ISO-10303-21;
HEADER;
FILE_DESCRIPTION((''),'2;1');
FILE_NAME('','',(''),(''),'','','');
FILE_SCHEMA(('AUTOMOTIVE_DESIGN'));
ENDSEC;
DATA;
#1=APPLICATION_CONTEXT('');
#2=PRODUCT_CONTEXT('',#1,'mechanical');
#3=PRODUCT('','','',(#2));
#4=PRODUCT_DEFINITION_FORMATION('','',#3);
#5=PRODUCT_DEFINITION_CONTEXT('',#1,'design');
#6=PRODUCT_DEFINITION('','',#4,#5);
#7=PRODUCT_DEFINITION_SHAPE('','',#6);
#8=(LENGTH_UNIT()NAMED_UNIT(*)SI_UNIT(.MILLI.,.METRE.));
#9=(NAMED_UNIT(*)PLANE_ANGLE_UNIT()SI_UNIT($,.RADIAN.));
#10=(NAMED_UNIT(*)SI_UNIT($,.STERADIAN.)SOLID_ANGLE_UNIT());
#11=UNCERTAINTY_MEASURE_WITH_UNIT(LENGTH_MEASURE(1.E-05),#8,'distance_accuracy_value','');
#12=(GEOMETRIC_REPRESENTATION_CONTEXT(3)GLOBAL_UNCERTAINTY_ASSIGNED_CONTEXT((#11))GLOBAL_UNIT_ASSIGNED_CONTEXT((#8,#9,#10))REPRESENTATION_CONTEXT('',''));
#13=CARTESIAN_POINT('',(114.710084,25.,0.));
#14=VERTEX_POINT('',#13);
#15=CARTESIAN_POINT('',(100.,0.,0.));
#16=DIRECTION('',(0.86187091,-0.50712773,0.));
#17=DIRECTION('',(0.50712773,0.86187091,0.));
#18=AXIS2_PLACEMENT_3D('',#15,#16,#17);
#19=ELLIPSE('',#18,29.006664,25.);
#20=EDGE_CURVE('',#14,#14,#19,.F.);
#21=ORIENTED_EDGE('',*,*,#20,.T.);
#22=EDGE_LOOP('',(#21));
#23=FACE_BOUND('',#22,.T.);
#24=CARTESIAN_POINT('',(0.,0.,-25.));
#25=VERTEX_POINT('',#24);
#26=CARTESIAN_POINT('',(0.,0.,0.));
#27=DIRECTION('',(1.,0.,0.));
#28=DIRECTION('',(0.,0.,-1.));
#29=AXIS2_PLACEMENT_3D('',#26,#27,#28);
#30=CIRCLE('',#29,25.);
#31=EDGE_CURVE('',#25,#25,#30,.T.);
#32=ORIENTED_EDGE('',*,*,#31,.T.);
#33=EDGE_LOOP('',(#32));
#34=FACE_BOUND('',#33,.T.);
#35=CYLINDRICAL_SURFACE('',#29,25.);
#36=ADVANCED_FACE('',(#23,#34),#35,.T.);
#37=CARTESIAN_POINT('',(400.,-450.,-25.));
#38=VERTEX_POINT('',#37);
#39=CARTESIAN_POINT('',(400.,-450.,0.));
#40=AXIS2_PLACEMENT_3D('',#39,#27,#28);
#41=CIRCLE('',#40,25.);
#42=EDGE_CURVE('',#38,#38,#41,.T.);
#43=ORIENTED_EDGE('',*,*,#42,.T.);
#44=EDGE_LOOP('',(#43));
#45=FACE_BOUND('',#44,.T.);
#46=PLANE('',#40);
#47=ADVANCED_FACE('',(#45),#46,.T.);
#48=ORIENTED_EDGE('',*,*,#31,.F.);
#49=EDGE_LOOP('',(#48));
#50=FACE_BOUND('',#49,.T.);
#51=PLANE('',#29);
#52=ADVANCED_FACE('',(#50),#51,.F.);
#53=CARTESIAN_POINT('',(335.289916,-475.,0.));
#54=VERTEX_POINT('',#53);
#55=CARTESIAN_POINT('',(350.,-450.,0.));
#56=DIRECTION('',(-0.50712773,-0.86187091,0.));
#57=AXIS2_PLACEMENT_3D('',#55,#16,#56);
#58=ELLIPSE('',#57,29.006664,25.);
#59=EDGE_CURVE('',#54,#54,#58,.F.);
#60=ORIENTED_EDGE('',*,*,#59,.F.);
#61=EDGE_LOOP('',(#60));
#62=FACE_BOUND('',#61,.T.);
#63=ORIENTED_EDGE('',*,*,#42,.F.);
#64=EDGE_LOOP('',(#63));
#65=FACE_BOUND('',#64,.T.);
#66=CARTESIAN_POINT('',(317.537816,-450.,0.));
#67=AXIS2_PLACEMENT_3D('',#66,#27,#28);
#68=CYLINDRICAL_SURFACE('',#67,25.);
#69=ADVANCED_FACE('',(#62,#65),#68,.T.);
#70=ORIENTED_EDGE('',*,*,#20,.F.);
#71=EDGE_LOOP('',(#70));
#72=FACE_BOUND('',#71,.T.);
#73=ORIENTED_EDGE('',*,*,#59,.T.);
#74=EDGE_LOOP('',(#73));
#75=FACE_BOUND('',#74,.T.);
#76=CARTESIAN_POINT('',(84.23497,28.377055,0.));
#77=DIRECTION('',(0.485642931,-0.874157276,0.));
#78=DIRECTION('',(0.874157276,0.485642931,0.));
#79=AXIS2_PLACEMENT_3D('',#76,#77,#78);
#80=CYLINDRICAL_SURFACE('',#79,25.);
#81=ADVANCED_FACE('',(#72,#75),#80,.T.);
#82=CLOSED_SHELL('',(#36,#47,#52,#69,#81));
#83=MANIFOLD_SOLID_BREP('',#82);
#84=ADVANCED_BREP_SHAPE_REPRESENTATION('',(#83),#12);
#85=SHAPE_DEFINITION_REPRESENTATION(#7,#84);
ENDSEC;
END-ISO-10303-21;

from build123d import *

# Parameters (mm, degrees)
SKETCH1_R = 25


with BuildPart() as part:
    # Sweep1: sweep along a path in Sketch2
    with BuildLine(Plane.XY) as sweep1_path:
        Line((0, 0), (100, 0))
        Line((100, 0), (350, -450))
        Line((350, -450), (400, -450))
    # Sketch1 → Sweep1 (sweep)
    with BuildSketch(Plane(origin=(0, 0, 0), x_dir=(0, 0, -1), z_dir=(1, 0, 0))):
        Circle(SKETCH1_R)
    sweep(path=sweep1_path.line, transition=Transition.RIGHT)


solid = part.part
